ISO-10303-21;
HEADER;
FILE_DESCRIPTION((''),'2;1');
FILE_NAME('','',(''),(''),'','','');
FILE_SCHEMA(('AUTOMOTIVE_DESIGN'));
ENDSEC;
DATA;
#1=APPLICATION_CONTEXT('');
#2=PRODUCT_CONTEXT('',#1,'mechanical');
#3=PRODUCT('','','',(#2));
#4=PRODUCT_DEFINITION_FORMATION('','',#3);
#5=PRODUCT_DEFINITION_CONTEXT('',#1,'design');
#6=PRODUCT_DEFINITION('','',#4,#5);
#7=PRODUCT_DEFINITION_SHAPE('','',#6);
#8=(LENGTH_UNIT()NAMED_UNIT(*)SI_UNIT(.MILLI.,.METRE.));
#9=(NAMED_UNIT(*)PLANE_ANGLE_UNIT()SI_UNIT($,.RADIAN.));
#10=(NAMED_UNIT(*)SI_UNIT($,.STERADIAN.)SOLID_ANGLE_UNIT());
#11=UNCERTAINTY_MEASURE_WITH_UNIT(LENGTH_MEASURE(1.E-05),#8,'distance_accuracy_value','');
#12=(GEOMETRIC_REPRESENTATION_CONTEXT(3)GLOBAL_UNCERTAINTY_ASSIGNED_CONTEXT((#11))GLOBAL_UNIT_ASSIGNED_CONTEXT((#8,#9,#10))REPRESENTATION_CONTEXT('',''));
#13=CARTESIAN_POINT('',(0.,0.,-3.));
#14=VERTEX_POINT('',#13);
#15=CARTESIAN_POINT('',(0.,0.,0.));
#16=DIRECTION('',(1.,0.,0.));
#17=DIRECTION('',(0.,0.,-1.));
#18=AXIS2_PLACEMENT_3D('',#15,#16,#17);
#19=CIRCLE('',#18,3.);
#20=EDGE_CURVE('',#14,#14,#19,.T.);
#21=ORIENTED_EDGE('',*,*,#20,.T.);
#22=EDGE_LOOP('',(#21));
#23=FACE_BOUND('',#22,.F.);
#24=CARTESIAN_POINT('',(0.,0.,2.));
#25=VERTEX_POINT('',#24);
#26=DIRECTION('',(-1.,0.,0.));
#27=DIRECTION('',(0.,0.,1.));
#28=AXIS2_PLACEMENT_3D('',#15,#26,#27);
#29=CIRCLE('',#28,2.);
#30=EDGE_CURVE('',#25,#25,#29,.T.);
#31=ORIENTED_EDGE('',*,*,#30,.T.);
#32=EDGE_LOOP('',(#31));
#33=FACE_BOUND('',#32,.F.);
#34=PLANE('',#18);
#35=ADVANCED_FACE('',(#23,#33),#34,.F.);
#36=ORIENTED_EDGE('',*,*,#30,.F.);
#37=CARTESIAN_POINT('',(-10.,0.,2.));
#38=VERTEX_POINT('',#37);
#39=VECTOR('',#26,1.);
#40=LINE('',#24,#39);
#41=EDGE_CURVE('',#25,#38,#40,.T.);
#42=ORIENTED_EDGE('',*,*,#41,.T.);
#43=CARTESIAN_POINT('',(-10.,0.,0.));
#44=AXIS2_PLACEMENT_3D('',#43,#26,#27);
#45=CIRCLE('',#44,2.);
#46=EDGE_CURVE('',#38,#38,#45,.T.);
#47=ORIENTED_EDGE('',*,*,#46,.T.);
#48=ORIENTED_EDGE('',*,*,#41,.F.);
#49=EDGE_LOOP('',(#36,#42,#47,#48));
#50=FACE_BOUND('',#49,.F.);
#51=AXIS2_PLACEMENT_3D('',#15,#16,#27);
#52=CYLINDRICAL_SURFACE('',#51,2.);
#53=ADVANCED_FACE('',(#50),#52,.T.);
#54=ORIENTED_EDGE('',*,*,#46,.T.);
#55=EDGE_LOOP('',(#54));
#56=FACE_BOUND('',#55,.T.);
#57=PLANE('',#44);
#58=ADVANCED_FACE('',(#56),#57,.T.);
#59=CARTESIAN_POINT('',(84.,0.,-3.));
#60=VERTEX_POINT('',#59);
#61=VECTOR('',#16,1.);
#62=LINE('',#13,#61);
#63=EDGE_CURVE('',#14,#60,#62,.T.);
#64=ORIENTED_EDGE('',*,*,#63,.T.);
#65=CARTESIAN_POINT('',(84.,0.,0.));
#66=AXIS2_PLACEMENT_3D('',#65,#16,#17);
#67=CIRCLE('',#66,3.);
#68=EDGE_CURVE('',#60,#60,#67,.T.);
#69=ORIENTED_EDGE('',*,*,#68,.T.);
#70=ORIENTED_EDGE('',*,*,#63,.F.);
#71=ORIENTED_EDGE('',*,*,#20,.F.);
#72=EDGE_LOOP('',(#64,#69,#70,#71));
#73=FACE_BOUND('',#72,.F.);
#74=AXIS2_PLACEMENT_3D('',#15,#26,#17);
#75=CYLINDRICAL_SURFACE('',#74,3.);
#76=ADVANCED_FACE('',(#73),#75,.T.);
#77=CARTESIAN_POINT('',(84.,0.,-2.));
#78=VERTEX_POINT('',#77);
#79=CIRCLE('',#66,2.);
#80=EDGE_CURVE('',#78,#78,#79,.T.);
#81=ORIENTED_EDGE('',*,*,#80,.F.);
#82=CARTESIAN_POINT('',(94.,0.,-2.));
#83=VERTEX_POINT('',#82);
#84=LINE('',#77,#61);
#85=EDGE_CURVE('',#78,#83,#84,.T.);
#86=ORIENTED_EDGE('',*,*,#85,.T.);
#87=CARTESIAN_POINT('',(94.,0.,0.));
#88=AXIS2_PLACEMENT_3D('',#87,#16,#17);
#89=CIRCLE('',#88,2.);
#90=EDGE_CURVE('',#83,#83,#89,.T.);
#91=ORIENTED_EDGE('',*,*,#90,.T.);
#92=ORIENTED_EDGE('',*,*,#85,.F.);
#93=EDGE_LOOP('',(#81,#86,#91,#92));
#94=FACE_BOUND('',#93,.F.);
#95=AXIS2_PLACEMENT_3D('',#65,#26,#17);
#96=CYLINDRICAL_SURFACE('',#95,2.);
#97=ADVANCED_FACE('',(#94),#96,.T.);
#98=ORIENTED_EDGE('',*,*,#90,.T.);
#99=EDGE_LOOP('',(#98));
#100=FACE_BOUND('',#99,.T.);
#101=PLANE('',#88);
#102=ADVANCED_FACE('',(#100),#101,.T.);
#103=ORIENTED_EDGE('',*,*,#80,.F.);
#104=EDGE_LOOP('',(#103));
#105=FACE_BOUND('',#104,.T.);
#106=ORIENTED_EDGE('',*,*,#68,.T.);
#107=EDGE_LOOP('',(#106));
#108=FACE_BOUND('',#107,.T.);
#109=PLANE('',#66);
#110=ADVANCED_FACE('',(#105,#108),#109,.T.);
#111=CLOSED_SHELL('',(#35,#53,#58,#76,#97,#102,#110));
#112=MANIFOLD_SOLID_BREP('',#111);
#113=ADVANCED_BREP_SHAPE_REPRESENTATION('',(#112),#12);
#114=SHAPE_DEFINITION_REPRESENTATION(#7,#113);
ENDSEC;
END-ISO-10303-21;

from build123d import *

# Parameters (mm, degrees)
SKETCH1_R           = 3
BOSS_EXTRUDE1_DEPTH = 84
SKETCH2_R           = 2
BOSS_EXTRUDE2_DEPTH = 10
SKETCH3_R           = 2
BOSS_EXTRUDE3_DEPTH = 10


with BuildPart() as part:
    # Sketch1 → Boss-Extrude1 (new body)
    with BuildSketch(Plane(origin=(0, 0, 0), x_dir=(0, 0, -1), z_dir=(1, 0, 0))):
        Circle(SKETCH1_R)
    extrude(amount=BOSS_EXTRUDE1_DEPTH)

    # Sketch2 → Boss-Extrude2 (add)
    with BuildSketch(Plane(origin=(84, 0, 0), x_dir=(0, 0, -1), z_dir=(1, 0, 0))):
        Circle(SKETCH2_R)
    extrude(amount=BOSS_EXTRUDE2_DEPTH)

    # Sketch3 → Boss-Extrude3 (add)
    with BuildSketch(Plane.ZY):
        Circle(SKETCH3_R)
    extrude(amount=BOSS_EXTRUDE3_DEPTH)


solid = part.part
